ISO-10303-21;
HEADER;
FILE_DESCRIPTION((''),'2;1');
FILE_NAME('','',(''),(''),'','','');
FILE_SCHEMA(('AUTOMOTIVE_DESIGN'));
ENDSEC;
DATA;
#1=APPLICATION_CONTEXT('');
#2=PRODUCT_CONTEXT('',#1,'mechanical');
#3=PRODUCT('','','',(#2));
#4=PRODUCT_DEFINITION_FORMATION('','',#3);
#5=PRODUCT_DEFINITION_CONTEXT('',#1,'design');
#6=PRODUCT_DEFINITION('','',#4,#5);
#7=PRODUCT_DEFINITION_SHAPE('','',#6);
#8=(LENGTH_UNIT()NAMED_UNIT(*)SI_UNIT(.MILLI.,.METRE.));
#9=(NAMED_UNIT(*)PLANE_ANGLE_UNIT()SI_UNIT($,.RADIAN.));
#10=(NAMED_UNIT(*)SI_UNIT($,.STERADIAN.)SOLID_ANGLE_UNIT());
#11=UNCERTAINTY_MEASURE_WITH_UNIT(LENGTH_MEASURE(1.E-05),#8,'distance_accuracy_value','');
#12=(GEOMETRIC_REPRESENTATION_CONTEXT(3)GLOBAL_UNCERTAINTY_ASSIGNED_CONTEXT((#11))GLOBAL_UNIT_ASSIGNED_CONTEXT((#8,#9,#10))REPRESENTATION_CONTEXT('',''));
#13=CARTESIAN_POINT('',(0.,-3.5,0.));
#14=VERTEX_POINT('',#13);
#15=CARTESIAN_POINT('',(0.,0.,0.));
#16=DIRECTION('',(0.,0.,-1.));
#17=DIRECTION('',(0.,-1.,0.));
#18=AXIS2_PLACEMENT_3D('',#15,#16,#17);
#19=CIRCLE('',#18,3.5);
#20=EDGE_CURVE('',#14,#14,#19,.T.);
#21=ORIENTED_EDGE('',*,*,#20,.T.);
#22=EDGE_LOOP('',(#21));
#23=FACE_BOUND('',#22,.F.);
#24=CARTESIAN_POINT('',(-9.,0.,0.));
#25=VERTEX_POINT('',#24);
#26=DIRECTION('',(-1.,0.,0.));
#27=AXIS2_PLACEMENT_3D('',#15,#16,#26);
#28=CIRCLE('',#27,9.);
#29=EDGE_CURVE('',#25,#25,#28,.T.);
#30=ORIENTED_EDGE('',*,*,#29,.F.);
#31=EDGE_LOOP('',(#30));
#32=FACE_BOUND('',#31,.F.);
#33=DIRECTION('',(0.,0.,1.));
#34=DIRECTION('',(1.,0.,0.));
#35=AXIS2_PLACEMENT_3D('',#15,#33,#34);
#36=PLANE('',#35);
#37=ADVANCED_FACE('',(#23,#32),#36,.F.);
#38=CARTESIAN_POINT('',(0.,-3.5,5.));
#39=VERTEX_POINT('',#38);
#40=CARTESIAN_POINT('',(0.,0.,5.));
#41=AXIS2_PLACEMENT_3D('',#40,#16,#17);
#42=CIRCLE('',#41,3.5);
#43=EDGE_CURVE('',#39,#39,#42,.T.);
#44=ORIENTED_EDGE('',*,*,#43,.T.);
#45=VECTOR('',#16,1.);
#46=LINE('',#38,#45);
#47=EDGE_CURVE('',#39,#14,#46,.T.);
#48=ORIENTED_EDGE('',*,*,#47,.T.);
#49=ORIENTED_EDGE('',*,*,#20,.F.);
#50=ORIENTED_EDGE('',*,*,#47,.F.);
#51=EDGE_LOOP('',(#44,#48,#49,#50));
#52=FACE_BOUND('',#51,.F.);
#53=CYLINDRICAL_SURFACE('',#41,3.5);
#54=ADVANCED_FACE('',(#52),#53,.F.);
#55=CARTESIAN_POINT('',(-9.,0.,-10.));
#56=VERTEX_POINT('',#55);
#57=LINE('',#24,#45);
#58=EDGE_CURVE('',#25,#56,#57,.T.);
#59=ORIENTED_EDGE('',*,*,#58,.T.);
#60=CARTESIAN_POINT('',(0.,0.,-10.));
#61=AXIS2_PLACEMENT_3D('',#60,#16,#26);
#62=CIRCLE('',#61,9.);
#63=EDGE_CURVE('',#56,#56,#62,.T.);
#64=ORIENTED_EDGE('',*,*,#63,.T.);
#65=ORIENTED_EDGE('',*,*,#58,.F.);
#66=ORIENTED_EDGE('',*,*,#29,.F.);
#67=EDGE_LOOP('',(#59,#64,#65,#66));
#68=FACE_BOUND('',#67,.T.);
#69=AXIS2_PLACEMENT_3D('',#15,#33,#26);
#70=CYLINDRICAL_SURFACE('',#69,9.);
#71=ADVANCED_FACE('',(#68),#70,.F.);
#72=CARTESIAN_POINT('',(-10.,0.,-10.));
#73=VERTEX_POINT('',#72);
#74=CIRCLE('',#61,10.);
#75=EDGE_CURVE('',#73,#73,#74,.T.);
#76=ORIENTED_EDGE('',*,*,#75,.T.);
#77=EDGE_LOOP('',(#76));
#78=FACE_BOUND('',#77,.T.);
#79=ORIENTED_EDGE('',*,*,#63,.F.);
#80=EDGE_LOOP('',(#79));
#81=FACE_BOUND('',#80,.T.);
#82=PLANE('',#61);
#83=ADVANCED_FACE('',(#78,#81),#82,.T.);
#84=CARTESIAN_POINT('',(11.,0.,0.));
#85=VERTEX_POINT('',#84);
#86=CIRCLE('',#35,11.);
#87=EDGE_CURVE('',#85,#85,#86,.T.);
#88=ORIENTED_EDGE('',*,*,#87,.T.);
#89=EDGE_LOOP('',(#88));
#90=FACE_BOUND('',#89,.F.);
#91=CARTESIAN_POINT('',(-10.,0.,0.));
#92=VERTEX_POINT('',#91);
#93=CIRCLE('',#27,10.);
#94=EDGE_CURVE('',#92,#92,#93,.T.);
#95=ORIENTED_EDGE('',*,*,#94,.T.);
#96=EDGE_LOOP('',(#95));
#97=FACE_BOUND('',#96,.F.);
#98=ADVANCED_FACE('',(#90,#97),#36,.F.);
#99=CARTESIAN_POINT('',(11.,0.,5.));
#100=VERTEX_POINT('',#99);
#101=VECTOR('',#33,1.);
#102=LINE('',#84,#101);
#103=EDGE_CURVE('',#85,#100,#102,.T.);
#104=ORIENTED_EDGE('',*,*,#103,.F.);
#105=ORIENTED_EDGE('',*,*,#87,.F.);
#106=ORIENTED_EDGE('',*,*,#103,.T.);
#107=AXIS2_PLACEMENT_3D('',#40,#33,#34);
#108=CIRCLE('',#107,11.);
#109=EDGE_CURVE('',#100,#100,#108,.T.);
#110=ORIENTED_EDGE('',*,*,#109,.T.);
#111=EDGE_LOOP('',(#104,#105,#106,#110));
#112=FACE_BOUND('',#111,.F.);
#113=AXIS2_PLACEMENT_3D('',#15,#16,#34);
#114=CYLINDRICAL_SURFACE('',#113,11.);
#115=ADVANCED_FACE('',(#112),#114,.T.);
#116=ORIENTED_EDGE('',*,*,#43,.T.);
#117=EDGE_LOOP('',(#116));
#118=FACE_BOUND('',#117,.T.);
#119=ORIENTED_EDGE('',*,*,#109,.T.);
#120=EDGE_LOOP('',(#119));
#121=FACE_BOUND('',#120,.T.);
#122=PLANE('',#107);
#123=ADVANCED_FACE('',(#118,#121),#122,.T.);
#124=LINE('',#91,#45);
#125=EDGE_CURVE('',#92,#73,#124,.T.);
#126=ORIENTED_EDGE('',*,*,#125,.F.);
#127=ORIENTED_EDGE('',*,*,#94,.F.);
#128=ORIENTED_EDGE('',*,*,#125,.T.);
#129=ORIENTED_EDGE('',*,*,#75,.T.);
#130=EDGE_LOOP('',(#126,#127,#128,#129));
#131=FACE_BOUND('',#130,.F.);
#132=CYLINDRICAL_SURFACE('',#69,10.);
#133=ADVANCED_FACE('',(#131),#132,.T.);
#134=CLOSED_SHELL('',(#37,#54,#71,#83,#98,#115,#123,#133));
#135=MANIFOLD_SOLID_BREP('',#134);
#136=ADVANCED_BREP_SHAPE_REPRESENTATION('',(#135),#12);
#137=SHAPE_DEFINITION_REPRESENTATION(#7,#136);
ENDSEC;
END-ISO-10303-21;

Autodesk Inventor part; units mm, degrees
ref_plane "YZ Plane" through (0, 0, 0) normal (1, 0, 0) x (0, 1, 0)
ref_plane "XZ Plane" through (0, 0, 0) normal (0, 1, 0) x (-1, 0, 0)
ref_plane "XY Plane" through (0, 0, 0) normal (0, 0, 1) x (1, 0, 0)
sketch "Esboço1" plane through (0, 0, 0) normal (0, 0, 1) x (1, 0, 0)
  circle A0 centre (0, 0) radius 9 projected
  circle A1 centre (0, 0) radius 11
  point P0 (0, 0)
  dimension "d0" = 2
extrude "Extrusão1" add sketch "Esboço1" along normal blind 5 contours A0 | A1
sketch "Esboço2" plane through (0, 0, 0) normal (0, 0, -1) x (-1, 0, 0)
  circle A0 centre (0, 0) radius 9 projected
  circle A1 centre (0, 0) radius 10
  point P0 (0, 0)
  dimension "d3" = 1
extrude "Extrusão2" add sketch "Esboço2" along normal blind 10
hole "Furo1" at (0, 0, 5) direction (0, 0, -1) diameter 7 depth 8 tip angle 118
properties part number "Corpo Valvula Reguladora de Pressão"
